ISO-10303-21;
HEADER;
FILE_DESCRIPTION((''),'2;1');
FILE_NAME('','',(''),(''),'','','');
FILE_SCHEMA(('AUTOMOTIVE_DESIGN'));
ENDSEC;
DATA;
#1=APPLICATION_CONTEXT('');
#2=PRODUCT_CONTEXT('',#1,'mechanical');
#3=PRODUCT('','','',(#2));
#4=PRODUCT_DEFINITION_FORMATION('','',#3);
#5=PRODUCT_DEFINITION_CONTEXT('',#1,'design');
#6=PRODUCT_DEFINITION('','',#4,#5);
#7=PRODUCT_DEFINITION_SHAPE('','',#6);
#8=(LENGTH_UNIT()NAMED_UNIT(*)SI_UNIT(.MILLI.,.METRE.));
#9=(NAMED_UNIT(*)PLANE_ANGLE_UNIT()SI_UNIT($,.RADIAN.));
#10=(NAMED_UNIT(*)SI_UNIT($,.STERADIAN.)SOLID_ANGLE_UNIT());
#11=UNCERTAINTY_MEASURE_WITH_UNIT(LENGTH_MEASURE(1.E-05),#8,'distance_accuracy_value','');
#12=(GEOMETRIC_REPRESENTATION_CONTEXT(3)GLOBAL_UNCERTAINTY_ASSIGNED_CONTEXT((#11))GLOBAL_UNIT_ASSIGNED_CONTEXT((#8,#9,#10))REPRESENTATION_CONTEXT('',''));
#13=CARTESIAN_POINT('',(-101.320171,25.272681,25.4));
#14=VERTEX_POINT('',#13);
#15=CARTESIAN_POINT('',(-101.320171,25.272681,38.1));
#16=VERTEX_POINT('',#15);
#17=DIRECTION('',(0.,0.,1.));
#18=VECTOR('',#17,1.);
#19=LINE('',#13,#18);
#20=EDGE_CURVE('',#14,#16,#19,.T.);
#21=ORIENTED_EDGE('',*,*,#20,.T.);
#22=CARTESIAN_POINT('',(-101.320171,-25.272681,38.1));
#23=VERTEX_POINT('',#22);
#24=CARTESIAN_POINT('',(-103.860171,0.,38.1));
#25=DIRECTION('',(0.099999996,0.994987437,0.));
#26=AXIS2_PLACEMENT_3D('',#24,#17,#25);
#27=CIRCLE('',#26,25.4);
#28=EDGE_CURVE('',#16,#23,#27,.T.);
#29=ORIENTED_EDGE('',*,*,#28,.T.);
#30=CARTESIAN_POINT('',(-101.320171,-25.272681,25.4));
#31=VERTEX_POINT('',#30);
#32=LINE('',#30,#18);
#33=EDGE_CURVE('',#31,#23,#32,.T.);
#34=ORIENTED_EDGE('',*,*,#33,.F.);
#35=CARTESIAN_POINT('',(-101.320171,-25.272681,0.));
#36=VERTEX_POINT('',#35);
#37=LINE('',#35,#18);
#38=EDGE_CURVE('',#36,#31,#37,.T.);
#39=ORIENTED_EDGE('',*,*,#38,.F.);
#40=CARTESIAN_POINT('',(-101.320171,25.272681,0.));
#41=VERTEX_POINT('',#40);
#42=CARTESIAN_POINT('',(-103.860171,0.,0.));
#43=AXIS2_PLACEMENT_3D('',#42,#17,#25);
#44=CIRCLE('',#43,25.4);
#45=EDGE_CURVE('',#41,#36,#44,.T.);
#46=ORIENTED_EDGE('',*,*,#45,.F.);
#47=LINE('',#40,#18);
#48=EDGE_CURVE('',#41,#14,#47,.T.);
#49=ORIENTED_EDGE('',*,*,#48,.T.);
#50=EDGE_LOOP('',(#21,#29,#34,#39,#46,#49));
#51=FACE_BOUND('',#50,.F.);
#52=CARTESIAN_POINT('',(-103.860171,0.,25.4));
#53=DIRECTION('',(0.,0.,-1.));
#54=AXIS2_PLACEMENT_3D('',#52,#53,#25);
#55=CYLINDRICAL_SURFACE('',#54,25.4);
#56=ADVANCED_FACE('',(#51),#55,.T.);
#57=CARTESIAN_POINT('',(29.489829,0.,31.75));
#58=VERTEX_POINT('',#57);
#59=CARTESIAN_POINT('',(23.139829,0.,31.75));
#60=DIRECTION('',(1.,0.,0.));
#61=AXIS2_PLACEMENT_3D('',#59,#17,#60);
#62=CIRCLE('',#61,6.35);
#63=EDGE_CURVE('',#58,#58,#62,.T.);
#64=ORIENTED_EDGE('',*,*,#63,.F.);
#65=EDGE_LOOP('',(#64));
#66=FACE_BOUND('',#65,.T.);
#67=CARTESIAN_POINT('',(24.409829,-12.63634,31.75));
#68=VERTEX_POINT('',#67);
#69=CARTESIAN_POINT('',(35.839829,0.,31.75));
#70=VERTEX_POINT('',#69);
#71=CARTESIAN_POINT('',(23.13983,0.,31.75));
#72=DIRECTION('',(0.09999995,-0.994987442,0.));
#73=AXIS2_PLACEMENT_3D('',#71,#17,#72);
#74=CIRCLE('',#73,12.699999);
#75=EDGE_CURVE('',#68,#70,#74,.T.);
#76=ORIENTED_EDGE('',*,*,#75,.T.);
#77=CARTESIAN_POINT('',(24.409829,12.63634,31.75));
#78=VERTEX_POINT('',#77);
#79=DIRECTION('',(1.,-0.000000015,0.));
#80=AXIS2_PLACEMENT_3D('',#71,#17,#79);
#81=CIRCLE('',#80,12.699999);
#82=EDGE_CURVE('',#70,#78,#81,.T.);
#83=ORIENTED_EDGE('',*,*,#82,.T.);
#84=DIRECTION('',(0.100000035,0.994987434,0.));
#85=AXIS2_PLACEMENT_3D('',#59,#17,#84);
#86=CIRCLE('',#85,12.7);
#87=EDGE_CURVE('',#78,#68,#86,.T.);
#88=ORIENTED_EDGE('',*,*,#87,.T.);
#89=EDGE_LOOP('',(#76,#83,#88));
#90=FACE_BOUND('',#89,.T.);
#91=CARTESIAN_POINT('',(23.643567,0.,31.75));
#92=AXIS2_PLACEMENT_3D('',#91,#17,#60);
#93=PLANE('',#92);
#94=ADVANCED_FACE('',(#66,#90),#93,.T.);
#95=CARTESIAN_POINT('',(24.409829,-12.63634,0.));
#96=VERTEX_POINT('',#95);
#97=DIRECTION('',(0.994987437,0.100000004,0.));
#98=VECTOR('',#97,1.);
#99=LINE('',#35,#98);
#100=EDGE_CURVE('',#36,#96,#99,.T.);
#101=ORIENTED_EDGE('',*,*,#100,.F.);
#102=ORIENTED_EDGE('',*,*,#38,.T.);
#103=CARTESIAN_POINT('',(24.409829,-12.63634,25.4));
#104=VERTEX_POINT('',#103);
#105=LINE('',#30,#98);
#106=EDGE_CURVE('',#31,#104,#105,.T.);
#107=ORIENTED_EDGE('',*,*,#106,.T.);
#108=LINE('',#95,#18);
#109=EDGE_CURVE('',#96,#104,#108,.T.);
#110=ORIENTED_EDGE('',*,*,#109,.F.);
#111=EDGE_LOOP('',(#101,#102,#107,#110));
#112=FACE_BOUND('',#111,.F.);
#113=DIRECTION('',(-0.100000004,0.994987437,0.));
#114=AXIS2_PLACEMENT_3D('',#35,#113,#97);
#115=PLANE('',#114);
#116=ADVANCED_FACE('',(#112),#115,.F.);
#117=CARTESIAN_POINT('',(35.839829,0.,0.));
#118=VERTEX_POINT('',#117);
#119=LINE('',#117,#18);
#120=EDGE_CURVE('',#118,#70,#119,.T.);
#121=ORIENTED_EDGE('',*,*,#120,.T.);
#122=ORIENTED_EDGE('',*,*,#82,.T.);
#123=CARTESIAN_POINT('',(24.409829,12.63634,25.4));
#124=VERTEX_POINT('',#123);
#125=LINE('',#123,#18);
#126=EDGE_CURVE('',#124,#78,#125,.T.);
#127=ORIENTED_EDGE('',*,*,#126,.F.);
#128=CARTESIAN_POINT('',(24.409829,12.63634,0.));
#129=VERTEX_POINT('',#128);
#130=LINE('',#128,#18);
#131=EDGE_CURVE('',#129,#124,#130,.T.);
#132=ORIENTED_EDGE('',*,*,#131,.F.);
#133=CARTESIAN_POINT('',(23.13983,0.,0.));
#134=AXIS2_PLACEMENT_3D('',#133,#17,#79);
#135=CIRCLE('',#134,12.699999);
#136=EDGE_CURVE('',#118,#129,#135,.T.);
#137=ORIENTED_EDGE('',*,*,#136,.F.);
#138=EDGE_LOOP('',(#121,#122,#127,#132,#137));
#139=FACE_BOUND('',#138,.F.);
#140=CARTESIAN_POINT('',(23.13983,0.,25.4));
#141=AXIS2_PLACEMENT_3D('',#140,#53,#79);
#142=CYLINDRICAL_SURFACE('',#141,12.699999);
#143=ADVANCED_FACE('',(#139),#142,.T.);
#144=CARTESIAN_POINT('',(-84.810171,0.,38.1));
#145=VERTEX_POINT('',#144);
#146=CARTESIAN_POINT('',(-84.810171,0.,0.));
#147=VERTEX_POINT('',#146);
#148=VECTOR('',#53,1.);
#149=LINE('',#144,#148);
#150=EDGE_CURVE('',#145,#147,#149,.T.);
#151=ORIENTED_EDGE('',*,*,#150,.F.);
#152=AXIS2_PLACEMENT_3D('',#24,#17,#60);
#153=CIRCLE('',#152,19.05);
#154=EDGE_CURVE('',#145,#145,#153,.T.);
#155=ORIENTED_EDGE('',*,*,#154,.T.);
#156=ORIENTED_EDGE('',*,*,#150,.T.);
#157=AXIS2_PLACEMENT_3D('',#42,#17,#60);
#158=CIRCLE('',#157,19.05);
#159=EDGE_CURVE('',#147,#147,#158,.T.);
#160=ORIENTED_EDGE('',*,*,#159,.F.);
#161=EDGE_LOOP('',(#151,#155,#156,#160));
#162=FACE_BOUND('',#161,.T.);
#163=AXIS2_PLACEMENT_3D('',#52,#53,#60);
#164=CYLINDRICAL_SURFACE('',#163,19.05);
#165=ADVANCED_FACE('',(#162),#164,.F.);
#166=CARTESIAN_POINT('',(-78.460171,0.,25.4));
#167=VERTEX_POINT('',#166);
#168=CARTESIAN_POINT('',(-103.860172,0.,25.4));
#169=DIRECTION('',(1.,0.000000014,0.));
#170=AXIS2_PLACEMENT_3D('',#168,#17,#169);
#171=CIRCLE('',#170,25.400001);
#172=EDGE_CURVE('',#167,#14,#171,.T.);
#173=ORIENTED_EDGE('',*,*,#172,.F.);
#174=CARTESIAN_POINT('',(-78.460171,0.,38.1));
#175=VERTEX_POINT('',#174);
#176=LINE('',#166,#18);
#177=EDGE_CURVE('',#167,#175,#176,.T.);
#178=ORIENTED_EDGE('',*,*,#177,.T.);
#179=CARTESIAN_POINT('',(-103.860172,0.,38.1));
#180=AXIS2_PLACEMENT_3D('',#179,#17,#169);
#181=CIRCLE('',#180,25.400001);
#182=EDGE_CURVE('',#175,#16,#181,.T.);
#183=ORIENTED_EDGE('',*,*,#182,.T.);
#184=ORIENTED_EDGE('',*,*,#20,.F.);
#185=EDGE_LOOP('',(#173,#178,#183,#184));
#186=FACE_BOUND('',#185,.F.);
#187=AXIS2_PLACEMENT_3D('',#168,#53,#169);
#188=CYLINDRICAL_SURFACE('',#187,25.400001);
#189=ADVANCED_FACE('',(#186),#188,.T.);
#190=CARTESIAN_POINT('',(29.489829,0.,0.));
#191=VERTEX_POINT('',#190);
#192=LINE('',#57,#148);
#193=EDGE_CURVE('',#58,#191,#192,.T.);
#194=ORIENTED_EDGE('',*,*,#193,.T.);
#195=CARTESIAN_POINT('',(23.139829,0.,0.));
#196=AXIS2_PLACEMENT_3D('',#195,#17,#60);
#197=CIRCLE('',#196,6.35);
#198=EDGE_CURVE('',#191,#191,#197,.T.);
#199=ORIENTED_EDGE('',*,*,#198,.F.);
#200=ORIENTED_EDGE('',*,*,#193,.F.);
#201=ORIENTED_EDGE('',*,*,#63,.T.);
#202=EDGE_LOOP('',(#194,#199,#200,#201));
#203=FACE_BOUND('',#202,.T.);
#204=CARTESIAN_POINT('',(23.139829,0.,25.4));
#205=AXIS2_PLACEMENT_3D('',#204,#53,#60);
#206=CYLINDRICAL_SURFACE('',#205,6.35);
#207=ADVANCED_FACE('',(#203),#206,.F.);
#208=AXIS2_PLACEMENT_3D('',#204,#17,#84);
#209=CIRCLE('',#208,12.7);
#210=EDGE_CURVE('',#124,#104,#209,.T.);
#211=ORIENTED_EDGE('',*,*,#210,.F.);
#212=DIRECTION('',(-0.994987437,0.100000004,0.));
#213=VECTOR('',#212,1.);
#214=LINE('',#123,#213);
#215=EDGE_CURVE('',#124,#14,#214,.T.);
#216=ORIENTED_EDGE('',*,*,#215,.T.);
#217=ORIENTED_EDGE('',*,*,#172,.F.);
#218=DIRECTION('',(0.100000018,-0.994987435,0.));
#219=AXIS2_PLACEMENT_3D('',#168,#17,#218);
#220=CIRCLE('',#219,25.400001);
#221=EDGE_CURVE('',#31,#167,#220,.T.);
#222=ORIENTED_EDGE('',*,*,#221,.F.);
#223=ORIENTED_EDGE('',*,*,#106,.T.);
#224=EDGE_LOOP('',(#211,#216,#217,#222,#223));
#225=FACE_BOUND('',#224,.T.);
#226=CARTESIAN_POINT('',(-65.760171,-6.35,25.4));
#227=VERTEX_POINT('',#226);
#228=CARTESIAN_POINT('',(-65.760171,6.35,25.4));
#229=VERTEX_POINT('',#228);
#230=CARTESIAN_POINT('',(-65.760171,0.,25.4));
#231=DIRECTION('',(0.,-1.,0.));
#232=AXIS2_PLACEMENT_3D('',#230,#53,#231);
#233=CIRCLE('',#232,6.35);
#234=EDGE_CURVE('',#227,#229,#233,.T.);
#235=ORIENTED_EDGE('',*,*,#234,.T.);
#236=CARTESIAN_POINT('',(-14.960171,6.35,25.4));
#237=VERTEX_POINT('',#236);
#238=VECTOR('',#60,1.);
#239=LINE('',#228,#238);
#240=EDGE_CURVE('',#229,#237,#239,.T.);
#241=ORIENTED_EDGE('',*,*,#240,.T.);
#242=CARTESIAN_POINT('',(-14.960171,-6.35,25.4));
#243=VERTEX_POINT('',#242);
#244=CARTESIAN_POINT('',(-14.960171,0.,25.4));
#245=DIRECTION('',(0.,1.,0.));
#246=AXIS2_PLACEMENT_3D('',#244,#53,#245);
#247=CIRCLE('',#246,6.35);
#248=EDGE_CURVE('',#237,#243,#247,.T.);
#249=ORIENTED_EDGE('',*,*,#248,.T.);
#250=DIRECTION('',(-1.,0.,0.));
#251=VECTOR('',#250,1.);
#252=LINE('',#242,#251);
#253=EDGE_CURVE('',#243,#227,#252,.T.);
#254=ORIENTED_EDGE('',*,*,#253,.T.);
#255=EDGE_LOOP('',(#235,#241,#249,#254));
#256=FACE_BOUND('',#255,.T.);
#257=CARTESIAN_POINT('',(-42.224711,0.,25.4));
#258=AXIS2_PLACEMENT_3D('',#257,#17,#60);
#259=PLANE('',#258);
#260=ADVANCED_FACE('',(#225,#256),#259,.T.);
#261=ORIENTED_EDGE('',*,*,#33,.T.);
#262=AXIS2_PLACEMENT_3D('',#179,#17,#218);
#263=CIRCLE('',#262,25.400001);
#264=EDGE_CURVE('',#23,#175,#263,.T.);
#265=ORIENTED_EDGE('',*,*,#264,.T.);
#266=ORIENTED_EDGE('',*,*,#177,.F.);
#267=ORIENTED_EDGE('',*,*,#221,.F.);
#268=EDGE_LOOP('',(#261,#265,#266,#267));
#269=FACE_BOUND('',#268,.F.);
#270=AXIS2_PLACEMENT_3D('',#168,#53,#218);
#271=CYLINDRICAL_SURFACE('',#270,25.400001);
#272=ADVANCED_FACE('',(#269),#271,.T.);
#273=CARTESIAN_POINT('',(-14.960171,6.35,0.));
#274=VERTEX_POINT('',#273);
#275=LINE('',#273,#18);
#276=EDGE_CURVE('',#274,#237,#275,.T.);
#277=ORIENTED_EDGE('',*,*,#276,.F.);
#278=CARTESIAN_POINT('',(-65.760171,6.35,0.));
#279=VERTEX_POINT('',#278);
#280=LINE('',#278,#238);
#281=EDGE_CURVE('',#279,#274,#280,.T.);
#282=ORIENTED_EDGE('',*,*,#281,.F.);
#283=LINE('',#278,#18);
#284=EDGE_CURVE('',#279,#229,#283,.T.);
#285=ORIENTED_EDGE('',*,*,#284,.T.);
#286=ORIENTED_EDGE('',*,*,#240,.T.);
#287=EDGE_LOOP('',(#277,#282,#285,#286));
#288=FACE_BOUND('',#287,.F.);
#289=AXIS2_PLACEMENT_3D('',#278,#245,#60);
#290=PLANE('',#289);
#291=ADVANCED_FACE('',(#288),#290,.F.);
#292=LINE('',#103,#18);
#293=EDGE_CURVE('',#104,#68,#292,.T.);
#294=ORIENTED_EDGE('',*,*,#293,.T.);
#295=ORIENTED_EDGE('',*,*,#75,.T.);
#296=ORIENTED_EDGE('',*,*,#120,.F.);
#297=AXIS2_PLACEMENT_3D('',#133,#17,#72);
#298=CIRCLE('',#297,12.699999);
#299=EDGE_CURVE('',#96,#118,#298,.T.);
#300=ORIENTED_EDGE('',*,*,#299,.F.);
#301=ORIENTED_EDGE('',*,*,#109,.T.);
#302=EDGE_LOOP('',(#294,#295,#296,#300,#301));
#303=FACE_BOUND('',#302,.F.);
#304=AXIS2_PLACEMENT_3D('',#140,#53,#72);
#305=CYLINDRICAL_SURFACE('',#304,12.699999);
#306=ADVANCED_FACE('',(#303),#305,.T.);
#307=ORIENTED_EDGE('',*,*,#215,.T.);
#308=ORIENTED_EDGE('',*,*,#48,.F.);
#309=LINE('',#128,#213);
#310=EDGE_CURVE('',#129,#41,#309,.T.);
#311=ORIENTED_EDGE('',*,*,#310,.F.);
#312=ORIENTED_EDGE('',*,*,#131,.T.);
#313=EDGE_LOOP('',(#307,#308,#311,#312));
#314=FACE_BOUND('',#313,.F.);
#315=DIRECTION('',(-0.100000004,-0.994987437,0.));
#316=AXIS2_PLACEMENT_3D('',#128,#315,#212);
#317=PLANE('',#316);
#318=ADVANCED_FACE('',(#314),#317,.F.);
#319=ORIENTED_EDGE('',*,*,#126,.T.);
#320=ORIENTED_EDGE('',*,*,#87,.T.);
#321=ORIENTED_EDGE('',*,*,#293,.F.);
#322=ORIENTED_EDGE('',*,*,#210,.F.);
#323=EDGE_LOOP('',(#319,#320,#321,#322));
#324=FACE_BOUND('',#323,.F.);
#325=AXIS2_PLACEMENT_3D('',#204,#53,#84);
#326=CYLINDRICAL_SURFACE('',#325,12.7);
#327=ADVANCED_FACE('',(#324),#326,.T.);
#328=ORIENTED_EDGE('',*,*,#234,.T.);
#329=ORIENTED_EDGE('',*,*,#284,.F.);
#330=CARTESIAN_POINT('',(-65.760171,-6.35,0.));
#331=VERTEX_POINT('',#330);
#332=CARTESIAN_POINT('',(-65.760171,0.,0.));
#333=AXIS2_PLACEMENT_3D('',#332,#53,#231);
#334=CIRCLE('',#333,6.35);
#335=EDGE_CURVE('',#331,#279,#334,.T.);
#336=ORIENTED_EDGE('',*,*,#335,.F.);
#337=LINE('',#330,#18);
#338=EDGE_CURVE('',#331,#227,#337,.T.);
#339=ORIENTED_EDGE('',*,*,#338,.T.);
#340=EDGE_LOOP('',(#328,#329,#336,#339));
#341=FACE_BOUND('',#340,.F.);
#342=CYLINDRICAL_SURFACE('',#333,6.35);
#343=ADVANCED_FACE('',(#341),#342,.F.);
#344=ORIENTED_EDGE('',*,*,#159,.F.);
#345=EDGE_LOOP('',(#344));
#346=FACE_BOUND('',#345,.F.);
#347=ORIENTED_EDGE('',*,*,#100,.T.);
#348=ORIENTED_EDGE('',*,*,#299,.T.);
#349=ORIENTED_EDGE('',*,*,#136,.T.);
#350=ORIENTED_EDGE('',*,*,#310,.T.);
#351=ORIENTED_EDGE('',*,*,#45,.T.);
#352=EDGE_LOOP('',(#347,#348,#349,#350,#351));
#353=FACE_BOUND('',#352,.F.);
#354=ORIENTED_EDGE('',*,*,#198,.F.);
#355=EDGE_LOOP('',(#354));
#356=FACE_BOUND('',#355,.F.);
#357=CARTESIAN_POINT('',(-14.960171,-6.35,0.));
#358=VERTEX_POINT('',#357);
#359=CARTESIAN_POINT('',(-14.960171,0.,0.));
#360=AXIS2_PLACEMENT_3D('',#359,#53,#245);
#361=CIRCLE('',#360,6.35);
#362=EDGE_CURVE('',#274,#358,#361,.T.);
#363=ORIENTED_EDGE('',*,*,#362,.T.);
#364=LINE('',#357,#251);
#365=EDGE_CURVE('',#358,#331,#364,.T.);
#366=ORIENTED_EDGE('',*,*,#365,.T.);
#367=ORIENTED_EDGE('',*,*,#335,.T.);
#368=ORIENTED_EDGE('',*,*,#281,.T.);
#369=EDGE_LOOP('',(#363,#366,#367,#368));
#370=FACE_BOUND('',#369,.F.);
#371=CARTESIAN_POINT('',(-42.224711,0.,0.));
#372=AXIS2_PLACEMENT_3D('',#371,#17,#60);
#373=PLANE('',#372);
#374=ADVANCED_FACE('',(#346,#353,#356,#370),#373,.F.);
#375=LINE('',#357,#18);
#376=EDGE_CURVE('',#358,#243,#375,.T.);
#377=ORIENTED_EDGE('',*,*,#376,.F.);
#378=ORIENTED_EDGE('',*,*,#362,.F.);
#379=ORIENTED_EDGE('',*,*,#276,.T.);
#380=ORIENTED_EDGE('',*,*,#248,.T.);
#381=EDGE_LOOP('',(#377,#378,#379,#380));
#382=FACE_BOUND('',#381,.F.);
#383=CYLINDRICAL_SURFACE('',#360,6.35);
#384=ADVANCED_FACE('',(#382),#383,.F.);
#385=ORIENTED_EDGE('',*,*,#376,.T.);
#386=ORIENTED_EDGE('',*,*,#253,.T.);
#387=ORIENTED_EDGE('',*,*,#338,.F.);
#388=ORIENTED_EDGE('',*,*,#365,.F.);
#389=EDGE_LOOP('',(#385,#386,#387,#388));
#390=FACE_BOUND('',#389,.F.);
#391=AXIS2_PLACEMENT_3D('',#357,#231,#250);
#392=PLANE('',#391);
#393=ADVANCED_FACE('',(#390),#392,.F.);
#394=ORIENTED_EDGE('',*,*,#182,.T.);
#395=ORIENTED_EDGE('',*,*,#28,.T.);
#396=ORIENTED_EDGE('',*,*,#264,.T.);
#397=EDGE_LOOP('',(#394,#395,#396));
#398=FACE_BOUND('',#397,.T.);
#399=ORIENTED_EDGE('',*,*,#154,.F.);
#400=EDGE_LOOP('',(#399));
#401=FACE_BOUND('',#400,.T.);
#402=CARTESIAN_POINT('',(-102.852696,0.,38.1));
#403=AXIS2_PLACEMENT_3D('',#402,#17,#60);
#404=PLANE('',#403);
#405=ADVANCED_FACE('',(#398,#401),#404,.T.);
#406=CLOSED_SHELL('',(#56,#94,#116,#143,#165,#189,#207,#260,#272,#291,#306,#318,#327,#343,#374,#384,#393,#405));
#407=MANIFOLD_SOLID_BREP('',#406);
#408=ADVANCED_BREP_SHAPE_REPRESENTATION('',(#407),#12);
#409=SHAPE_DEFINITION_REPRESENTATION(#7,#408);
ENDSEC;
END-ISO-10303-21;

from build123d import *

# Parameters (mm, degrees)
F0_R     = 19.05
F0_R_2   = 6.35
F1_DEPTH = 25.4
F2_R     = 19.05
F3_DEPTH = 12.7
F4_R     = 6.35
F5_DEPTH = 6.35


with BuildPart() as f1:
    # F0 (on Top) → F1 (new body)
    with BuildSketch(Plane.XY):
        with BuildLine():
            ThreePointArc((-101.320171, 25.272681), (-85.023027, 17.038838), (-78.460171, 0))
            ThreePointArc((-78.460171, 0), (-85.023027, -17.038838), (-101.320171, -25.272681))
            Line((-101.320171, -25.272681), (24.409829, -12.63634))
            ThreePointArc((24.409829, -12.63634), (10.439829, 0), (24.409829, 12.63634))
            Line((24.409829, 12.63634), (-101.320171, 25.272681))
        make_face()
        with BuildLine():
            Line((-14.960171, -6.35), (-65.760171, -6.35))
            ThreePointArc((-65.760171, -6.35), (-72.110171, 0), (-65.760171, 6.35))
            Line((-65.760171, 6.35), (-14.960171, 6.35))
            ThreePointArc((-14.960171, 6.35), (-8.610171, 0), (-14.960171, -6.35))
        make_face(mode=Mode.SUBTRACT)
        with BuildLine():
            ThreePointArc((-101.320171, -25.272681), (-85.023027, -17.038838), (-78.460171, 0))
            ThreePointArc((-78.460171, 0), (-85.023027, 17.038838), (-101.320171, 25.272681))
            ThreePointArc((-101.320171, 25.272681), (-129.260171, 0), (-101.320171, -25.272681))
        make_face()
        with Locations((-103.860171, 0)):
            Circle(F0_R, mode=Mode.SUBTRACT)
        with BuildLine():
            ThreePointArc((35.839829, 0), (32.558401, 8.519419), (24.409829, 12.63634))
            ThreePointArc((24.409829, 12.63634), (10.439829, 0), (24.409829, -12.63634))
            ThreePointArc((24.409829, -12.63634), (32.558401, -8.519419), (35.839829, 0))
        make_face()
        with Locations((23.139829, 0)):
            Circle(F0_R_2, mode=Mode.SUBTRACT)
    extrude(amount=F1_DEPTH)

    # F2 (on face) → F3 (join)
    with BuildSketch(Plane.XY.offset(25.4)):
        with BuildLine():
            ThreePointArc((-101.320171, -25.272681), (-85.023027, -17.038838), (-78.460171, 0))
            ThreePointArc((-78.460171, 0), (-85.023027, 17.038838), (-101.320171, 25.272681))
            ThreePointArc((-101.320171, 25.272681), (-129.260171, 0), (-101.320171, -25.272681))
        make_face()
        with Locations((-103.860171, 0)):
            Circle(F2_R, mode=Mode.SUBTRACT)
    extrude(amount=F3_DEPTH)

    # F4 (on face) → F5 (join)
    with BuildSketch(Plane.XY.offset(25.4)):
        with BuildLine():
            ThreePointArc((24.409829, -12.63634), (32.558401, -8.519419), (35.839829, 0))
            ThreePointArc((35.839829, 0), (32.558401, 8.519419), (24.409829, 12.63634))
            ThreePointArc((24.409829, 12.63634), (10.439829, 0), (24.409829, -12.63634))
        make_face()
        with Locations((23.139829, 0)):
            Circle(F4_R, mode=Mode.SUBTRACT)
    extrude(amount=F5_DEPTH)


solid = f1.part
